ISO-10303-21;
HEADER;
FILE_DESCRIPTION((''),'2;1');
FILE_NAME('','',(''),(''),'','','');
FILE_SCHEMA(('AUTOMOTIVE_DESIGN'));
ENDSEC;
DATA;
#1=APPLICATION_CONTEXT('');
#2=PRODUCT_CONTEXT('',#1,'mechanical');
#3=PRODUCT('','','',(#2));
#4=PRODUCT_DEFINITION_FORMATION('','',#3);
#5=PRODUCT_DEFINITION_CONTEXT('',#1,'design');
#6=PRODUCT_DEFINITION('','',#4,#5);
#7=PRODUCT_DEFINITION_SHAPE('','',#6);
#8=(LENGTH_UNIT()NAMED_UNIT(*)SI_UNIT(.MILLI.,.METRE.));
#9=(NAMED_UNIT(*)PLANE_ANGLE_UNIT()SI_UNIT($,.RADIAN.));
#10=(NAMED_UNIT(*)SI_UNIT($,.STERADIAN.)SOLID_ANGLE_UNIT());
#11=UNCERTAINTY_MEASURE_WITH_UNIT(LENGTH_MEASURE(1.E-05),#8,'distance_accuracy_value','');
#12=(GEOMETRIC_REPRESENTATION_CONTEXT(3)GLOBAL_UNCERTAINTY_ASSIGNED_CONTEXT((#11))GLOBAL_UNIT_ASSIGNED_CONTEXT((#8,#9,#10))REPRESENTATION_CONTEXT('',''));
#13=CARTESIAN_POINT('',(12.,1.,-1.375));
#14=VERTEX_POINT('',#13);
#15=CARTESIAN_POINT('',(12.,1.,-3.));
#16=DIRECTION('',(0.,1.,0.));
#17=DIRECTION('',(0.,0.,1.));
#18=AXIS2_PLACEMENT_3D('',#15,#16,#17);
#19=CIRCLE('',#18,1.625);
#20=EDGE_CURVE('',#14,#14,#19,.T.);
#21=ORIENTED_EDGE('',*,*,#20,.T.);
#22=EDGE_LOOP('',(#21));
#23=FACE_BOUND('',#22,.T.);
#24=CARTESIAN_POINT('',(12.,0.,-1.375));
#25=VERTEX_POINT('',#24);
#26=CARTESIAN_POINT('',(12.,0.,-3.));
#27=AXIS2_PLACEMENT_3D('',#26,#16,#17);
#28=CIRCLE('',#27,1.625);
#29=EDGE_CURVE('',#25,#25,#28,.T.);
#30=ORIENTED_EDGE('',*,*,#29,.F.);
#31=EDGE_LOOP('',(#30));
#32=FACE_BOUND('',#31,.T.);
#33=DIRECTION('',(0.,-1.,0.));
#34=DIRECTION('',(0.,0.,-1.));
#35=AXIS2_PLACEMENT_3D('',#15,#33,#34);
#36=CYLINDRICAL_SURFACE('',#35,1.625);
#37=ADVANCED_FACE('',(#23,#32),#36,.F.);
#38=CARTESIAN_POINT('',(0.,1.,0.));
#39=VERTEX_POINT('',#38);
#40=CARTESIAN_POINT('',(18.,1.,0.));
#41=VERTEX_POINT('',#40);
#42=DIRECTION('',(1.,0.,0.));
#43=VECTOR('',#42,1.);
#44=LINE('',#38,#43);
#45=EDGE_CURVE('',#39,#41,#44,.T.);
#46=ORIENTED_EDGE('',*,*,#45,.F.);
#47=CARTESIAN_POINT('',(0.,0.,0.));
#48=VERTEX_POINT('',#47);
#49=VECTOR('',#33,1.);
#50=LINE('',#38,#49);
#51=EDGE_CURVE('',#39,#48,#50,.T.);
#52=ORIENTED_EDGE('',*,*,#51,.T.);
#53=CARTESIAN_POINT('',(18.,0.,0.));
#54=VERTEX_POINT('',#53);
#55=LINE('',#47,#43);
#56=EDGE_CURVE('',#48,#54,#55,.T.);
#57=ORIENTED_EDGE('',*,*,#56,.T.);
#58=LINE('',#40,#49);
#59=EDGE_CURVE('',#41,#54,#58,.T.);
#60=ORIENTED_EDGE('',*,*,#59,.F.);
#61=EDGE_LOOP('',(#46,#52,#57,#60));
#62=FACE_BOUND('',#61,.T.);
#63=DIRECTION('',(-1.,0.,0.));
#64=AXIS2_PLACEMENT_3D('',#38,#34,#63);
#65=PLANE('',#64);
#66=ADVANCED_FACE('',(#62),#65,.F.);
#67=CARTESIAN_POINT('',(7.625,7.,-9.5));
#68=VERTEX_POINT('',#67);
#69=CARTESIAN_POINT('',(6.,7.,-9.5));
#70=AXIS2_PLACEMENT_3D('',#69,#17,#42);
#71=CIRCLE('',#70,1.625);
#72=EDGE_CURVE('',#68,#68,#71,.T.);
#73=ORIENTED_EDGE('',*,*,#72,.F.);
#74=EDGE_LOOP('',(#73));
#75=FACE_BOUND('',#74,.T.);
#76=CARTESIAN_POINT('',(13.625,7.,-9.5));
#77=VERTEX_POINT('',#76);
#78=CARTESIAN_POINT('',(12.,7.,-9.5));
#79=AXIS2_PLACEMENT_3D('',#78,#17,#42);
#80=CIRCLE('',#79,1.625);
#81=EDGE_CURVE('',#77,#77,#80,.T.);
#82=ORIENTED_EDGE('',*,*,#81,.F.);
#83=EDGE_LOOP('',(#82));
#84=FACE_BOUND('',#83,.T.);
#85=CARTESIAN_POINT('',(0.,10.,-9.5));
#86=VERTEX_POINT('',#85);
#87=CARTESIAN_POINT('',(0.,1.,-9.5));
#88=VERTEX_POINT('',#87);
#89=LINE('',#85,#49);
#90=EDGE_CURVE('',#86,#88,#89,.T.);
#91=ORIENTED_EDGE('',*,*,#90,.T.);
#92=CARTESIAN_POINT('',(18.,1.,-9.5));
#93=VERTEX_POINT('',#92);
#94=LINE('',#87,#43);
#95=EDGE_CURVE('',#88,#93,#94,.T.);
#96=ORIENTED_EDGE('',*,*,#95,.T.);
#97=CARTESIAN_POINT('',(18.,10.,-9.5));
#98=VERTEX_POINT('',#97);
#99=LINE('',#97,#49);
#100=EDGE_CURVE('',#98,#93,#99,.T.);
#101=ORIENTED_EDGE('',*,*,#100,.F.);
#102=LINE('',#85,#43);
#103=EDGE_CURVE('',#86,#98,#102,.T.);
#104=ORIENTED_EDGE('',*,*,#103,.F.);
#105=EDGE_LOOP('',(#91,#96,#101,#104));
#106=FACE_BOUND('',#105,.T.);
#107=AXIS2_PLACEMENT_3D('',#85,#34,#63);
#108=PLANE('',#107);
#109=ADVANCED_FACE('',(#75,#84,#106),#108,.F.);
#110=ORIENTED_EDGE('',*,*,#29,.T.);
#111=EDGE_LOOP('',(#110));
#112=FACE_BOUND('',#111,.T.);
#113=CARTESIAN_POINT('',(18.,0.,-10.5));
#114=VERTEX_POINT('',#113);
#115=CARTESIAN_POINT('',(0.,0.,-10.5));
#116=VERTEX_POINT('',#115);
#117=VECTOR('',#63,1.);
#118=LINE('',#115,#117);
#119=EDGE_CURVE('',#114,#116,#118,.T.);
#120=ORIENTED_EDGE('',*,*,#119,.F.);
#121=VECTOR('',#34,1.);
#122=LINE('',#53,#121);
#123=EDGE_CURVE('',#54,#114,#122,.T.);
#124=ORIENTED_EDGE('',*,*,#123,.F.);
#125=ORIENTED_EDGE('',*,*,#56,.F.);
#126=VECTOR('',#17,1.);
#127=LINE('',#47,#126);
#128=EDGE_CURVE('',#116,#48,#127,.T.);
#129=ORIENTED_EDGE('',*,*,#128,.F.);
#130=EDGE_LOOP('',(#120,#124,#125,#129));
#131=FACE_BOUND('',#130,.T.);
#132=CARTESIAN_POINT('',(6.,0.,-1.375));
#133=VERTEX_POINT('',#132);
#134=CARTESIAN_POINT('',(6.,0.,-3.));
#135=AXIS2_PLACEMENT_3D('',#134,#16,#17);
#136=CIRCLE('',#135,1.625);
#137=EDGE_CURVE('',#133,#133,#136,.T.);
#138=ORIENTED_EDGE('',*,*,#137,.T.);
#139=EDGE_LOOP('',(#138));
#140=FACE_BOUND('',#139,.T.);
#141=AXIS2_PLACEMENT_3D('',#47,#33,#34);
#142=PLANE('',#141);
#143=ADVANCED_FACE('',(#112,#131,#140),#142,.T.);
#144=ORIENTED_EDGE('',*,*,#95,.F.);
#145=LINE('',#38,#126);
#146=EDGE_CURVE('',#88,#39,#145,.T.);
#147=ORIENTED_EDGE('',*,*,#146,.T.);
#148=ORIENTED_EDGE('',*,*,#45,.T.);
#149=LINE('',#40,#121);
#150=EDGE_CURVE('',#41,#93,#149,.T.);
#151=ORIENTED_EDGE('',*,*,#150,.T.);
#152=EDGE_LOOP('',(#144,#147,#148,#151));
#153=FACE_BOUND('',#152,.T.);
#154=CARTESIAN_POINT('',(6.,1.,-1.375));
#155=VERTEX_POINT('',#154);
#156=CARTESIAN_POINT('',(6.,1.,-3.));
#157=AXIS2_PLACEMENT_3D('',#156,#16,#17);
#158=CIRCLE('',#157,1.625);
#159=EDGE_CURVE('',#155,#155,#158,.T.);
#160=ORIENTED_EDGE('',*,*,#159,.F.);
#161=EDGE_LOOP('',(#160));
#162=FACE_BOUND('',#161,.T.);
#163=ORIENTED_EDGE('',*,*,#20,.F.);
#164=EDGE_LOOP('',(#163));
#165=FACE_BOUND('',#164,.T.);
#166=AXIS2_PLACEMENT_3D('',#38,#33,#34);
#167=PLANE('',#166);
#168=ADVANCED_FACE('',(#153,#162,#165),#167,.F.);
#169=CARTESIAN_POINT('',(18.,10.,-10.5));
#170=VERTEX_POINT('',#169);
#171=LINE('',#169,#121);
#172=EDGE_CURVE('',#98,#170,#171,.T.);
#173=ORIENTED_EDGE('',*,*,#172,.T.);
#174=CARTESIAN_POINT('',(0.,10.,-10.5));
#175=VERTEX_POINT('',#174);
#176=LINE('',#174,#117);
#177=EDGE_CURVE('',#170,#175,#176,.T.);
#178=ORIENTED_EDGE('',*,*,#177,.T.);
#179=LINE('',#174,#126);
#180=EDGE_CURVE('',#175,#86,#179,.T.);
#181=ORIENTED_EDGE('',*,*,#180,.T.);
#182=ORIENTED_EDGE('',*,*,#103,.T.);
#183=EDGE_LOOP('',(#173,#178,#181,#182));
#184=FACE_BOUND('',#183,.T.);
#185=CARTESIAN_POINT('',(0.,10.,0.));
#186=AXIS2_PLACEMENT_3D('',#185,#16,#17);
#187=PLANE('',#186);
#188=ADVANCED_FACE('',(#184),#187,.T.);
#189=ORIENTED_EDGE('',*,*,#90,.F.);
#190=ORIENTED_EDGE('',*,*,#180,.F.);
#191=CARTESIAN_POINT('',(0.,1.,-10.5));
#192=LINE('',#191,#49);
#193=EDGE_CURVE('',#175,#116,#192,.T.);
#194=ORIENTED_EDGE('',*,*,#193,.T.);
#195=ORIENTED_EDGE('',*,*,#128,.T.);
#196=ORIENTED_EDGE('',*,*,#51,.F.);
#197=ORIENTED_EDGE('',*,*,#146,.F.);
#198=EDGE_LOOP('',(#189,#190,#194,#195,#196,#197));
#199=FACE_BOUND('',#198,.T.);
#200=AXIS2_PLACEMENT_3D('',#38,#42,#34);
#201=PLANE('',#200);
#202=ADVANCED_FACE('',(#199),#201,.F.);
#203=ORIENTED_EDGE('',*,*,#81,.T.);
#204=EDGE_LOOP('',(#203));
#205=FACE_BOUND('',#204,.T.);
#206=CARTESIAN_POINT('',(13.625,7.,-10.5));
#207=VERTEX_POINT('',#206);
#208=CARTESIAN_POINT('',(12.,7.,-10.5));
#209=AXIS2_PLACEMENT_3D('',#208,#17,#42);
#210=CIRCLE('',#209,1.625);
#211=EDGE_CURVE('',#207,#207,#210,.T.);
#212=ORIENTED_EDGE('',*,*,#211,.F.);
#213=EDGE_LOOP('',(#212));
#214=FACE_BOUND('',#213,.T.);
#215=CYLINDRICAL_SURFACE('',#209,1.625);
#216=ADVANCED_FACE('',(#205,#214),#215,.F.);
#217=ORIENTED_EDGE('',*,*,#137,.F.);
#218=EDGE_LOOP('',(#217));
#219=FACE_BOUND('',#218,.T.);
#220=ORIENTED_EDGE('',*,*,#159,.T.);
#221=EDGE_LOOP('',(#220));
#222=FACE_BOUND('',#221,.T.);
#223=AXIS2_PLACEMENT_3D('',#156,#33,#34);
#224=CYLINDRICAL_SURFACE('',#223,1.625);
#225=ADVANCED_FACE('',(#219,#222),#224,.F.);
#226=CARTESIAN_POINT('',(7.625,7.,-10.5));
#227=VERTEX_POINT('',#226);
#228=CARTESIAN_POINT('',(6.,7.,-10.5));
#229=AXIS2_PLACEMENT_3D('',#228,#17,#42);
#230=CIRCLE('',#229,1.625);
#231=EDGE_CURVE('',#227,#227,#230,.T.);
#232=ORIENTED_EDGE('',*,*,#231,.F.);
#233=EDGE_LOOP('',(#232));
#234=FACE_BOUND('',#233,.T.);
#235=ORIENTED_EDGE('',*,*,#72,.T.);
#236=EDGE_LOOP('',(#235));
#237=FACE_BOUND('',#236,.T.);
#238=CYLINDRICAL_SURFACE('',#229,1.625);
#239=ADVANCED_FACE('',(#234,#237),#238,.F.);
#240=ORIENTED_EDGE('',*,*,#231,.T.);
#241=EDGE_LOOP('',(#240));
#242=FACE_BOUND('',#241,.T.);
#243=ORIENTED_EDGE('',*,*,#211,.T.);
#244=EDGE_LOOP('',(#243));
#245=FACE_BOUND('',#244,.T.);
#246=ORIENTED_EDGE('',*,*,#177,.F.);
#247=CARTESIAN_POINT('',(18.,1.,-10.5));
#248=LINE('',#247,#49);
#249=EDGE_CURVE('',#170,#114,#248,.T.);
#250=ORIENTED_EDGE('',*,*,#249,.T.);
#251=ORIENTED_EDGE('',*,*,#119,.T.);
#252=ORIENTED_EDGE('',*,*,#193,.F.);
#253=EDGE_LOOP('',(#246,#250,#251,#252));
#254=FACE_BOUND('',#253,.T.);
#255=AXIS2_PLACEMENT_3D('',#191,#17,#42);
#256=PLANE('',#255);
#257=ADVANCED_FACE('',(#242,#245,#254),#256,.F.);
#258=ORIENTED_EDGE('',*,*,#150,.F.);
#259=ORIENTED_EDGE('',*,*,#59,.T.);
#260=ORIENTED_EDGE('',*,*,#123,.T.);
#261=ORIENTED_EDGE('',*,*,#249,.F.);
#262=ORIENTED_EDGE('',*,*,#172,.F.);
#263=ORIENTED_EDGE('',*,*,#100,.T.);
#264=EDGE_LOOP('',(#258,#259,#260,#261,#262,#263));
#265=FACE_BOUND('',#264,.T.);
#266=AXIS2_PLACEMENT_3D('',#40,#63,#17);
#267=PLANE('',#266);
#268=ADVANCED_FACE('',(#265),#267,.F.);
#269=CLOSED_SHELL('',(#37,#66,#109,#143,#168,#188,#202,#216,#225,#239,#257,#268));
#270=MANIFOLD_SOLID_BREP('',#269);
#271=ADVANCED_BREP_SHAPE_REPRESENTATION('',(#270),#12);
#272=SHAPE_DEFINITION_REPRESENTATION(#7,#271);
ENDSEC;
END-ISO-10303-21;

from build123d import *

# Parameters (mm, degrees)
SKETCH1_W           = 18
SKETCH1_H           = 10.5
SKETCH1_R           = 1.625
BOSS_EXTRUDE1_DEPTH = 1
SKETCH2_W           = 18
SKETCH2_H           = 1
BOSS_EXTRUDE2_DEPTH = 9
SKETCH4_R           = 1.625
CUT_EXTRUDE1_DEPTH  = 23.677080941


with BuildPart() as part:
    # Sketch1 → Boss-Extrude1 (new body)
    with BuildSketch(Plane(origin=(0, 0, 0), x_dir=(1, 0, 0), z_dir=(0, 1, 0))):
        with Locations((9, 5.25)):
            Rectangle(SKETCH1_W, SKETCH1_H)
        with Locations(Location((6, 3, 0), (0, 0, 270))):
            Circle(SKETCH1_R, mode=Mode.SUBTRACT)
        with Locations(Location((12, 3, 0), (0, 0, 270))):
            Circle(SKETCH1_R, mode=Mode.SUBTRACT)
    extrude(amount=BOSS_EXTRUDE1_DEPTH)

    # Sketch2 → Boss-Extrude2 (add)
    with BuildSketch(Plane(origin=(0, 1, 0), x_dir=(1, 0, 0), z_dir=(0, 1, 0))):
        with Locations((9, 10)):
            Rectangle(SKETCH2_W, SKETCH2_H)
    extrude(amount=BOSS_EXTRUDE2_DEPTH)

    # Sketch4 → Cut-Extrude1 (cut, through all)
    with BuildSketch(Plane.XY.offset(-9.5)):
        with Locations((6, 7)):
            Circle(SKETCH4_R)
        with Locations((12, 7)):
            Circle(SKETCH4_R)
    extrude(amount=-CUT_EXTRUDE1_DEPTH, mode=Mode.SUBTRACT)


solid = part.part
